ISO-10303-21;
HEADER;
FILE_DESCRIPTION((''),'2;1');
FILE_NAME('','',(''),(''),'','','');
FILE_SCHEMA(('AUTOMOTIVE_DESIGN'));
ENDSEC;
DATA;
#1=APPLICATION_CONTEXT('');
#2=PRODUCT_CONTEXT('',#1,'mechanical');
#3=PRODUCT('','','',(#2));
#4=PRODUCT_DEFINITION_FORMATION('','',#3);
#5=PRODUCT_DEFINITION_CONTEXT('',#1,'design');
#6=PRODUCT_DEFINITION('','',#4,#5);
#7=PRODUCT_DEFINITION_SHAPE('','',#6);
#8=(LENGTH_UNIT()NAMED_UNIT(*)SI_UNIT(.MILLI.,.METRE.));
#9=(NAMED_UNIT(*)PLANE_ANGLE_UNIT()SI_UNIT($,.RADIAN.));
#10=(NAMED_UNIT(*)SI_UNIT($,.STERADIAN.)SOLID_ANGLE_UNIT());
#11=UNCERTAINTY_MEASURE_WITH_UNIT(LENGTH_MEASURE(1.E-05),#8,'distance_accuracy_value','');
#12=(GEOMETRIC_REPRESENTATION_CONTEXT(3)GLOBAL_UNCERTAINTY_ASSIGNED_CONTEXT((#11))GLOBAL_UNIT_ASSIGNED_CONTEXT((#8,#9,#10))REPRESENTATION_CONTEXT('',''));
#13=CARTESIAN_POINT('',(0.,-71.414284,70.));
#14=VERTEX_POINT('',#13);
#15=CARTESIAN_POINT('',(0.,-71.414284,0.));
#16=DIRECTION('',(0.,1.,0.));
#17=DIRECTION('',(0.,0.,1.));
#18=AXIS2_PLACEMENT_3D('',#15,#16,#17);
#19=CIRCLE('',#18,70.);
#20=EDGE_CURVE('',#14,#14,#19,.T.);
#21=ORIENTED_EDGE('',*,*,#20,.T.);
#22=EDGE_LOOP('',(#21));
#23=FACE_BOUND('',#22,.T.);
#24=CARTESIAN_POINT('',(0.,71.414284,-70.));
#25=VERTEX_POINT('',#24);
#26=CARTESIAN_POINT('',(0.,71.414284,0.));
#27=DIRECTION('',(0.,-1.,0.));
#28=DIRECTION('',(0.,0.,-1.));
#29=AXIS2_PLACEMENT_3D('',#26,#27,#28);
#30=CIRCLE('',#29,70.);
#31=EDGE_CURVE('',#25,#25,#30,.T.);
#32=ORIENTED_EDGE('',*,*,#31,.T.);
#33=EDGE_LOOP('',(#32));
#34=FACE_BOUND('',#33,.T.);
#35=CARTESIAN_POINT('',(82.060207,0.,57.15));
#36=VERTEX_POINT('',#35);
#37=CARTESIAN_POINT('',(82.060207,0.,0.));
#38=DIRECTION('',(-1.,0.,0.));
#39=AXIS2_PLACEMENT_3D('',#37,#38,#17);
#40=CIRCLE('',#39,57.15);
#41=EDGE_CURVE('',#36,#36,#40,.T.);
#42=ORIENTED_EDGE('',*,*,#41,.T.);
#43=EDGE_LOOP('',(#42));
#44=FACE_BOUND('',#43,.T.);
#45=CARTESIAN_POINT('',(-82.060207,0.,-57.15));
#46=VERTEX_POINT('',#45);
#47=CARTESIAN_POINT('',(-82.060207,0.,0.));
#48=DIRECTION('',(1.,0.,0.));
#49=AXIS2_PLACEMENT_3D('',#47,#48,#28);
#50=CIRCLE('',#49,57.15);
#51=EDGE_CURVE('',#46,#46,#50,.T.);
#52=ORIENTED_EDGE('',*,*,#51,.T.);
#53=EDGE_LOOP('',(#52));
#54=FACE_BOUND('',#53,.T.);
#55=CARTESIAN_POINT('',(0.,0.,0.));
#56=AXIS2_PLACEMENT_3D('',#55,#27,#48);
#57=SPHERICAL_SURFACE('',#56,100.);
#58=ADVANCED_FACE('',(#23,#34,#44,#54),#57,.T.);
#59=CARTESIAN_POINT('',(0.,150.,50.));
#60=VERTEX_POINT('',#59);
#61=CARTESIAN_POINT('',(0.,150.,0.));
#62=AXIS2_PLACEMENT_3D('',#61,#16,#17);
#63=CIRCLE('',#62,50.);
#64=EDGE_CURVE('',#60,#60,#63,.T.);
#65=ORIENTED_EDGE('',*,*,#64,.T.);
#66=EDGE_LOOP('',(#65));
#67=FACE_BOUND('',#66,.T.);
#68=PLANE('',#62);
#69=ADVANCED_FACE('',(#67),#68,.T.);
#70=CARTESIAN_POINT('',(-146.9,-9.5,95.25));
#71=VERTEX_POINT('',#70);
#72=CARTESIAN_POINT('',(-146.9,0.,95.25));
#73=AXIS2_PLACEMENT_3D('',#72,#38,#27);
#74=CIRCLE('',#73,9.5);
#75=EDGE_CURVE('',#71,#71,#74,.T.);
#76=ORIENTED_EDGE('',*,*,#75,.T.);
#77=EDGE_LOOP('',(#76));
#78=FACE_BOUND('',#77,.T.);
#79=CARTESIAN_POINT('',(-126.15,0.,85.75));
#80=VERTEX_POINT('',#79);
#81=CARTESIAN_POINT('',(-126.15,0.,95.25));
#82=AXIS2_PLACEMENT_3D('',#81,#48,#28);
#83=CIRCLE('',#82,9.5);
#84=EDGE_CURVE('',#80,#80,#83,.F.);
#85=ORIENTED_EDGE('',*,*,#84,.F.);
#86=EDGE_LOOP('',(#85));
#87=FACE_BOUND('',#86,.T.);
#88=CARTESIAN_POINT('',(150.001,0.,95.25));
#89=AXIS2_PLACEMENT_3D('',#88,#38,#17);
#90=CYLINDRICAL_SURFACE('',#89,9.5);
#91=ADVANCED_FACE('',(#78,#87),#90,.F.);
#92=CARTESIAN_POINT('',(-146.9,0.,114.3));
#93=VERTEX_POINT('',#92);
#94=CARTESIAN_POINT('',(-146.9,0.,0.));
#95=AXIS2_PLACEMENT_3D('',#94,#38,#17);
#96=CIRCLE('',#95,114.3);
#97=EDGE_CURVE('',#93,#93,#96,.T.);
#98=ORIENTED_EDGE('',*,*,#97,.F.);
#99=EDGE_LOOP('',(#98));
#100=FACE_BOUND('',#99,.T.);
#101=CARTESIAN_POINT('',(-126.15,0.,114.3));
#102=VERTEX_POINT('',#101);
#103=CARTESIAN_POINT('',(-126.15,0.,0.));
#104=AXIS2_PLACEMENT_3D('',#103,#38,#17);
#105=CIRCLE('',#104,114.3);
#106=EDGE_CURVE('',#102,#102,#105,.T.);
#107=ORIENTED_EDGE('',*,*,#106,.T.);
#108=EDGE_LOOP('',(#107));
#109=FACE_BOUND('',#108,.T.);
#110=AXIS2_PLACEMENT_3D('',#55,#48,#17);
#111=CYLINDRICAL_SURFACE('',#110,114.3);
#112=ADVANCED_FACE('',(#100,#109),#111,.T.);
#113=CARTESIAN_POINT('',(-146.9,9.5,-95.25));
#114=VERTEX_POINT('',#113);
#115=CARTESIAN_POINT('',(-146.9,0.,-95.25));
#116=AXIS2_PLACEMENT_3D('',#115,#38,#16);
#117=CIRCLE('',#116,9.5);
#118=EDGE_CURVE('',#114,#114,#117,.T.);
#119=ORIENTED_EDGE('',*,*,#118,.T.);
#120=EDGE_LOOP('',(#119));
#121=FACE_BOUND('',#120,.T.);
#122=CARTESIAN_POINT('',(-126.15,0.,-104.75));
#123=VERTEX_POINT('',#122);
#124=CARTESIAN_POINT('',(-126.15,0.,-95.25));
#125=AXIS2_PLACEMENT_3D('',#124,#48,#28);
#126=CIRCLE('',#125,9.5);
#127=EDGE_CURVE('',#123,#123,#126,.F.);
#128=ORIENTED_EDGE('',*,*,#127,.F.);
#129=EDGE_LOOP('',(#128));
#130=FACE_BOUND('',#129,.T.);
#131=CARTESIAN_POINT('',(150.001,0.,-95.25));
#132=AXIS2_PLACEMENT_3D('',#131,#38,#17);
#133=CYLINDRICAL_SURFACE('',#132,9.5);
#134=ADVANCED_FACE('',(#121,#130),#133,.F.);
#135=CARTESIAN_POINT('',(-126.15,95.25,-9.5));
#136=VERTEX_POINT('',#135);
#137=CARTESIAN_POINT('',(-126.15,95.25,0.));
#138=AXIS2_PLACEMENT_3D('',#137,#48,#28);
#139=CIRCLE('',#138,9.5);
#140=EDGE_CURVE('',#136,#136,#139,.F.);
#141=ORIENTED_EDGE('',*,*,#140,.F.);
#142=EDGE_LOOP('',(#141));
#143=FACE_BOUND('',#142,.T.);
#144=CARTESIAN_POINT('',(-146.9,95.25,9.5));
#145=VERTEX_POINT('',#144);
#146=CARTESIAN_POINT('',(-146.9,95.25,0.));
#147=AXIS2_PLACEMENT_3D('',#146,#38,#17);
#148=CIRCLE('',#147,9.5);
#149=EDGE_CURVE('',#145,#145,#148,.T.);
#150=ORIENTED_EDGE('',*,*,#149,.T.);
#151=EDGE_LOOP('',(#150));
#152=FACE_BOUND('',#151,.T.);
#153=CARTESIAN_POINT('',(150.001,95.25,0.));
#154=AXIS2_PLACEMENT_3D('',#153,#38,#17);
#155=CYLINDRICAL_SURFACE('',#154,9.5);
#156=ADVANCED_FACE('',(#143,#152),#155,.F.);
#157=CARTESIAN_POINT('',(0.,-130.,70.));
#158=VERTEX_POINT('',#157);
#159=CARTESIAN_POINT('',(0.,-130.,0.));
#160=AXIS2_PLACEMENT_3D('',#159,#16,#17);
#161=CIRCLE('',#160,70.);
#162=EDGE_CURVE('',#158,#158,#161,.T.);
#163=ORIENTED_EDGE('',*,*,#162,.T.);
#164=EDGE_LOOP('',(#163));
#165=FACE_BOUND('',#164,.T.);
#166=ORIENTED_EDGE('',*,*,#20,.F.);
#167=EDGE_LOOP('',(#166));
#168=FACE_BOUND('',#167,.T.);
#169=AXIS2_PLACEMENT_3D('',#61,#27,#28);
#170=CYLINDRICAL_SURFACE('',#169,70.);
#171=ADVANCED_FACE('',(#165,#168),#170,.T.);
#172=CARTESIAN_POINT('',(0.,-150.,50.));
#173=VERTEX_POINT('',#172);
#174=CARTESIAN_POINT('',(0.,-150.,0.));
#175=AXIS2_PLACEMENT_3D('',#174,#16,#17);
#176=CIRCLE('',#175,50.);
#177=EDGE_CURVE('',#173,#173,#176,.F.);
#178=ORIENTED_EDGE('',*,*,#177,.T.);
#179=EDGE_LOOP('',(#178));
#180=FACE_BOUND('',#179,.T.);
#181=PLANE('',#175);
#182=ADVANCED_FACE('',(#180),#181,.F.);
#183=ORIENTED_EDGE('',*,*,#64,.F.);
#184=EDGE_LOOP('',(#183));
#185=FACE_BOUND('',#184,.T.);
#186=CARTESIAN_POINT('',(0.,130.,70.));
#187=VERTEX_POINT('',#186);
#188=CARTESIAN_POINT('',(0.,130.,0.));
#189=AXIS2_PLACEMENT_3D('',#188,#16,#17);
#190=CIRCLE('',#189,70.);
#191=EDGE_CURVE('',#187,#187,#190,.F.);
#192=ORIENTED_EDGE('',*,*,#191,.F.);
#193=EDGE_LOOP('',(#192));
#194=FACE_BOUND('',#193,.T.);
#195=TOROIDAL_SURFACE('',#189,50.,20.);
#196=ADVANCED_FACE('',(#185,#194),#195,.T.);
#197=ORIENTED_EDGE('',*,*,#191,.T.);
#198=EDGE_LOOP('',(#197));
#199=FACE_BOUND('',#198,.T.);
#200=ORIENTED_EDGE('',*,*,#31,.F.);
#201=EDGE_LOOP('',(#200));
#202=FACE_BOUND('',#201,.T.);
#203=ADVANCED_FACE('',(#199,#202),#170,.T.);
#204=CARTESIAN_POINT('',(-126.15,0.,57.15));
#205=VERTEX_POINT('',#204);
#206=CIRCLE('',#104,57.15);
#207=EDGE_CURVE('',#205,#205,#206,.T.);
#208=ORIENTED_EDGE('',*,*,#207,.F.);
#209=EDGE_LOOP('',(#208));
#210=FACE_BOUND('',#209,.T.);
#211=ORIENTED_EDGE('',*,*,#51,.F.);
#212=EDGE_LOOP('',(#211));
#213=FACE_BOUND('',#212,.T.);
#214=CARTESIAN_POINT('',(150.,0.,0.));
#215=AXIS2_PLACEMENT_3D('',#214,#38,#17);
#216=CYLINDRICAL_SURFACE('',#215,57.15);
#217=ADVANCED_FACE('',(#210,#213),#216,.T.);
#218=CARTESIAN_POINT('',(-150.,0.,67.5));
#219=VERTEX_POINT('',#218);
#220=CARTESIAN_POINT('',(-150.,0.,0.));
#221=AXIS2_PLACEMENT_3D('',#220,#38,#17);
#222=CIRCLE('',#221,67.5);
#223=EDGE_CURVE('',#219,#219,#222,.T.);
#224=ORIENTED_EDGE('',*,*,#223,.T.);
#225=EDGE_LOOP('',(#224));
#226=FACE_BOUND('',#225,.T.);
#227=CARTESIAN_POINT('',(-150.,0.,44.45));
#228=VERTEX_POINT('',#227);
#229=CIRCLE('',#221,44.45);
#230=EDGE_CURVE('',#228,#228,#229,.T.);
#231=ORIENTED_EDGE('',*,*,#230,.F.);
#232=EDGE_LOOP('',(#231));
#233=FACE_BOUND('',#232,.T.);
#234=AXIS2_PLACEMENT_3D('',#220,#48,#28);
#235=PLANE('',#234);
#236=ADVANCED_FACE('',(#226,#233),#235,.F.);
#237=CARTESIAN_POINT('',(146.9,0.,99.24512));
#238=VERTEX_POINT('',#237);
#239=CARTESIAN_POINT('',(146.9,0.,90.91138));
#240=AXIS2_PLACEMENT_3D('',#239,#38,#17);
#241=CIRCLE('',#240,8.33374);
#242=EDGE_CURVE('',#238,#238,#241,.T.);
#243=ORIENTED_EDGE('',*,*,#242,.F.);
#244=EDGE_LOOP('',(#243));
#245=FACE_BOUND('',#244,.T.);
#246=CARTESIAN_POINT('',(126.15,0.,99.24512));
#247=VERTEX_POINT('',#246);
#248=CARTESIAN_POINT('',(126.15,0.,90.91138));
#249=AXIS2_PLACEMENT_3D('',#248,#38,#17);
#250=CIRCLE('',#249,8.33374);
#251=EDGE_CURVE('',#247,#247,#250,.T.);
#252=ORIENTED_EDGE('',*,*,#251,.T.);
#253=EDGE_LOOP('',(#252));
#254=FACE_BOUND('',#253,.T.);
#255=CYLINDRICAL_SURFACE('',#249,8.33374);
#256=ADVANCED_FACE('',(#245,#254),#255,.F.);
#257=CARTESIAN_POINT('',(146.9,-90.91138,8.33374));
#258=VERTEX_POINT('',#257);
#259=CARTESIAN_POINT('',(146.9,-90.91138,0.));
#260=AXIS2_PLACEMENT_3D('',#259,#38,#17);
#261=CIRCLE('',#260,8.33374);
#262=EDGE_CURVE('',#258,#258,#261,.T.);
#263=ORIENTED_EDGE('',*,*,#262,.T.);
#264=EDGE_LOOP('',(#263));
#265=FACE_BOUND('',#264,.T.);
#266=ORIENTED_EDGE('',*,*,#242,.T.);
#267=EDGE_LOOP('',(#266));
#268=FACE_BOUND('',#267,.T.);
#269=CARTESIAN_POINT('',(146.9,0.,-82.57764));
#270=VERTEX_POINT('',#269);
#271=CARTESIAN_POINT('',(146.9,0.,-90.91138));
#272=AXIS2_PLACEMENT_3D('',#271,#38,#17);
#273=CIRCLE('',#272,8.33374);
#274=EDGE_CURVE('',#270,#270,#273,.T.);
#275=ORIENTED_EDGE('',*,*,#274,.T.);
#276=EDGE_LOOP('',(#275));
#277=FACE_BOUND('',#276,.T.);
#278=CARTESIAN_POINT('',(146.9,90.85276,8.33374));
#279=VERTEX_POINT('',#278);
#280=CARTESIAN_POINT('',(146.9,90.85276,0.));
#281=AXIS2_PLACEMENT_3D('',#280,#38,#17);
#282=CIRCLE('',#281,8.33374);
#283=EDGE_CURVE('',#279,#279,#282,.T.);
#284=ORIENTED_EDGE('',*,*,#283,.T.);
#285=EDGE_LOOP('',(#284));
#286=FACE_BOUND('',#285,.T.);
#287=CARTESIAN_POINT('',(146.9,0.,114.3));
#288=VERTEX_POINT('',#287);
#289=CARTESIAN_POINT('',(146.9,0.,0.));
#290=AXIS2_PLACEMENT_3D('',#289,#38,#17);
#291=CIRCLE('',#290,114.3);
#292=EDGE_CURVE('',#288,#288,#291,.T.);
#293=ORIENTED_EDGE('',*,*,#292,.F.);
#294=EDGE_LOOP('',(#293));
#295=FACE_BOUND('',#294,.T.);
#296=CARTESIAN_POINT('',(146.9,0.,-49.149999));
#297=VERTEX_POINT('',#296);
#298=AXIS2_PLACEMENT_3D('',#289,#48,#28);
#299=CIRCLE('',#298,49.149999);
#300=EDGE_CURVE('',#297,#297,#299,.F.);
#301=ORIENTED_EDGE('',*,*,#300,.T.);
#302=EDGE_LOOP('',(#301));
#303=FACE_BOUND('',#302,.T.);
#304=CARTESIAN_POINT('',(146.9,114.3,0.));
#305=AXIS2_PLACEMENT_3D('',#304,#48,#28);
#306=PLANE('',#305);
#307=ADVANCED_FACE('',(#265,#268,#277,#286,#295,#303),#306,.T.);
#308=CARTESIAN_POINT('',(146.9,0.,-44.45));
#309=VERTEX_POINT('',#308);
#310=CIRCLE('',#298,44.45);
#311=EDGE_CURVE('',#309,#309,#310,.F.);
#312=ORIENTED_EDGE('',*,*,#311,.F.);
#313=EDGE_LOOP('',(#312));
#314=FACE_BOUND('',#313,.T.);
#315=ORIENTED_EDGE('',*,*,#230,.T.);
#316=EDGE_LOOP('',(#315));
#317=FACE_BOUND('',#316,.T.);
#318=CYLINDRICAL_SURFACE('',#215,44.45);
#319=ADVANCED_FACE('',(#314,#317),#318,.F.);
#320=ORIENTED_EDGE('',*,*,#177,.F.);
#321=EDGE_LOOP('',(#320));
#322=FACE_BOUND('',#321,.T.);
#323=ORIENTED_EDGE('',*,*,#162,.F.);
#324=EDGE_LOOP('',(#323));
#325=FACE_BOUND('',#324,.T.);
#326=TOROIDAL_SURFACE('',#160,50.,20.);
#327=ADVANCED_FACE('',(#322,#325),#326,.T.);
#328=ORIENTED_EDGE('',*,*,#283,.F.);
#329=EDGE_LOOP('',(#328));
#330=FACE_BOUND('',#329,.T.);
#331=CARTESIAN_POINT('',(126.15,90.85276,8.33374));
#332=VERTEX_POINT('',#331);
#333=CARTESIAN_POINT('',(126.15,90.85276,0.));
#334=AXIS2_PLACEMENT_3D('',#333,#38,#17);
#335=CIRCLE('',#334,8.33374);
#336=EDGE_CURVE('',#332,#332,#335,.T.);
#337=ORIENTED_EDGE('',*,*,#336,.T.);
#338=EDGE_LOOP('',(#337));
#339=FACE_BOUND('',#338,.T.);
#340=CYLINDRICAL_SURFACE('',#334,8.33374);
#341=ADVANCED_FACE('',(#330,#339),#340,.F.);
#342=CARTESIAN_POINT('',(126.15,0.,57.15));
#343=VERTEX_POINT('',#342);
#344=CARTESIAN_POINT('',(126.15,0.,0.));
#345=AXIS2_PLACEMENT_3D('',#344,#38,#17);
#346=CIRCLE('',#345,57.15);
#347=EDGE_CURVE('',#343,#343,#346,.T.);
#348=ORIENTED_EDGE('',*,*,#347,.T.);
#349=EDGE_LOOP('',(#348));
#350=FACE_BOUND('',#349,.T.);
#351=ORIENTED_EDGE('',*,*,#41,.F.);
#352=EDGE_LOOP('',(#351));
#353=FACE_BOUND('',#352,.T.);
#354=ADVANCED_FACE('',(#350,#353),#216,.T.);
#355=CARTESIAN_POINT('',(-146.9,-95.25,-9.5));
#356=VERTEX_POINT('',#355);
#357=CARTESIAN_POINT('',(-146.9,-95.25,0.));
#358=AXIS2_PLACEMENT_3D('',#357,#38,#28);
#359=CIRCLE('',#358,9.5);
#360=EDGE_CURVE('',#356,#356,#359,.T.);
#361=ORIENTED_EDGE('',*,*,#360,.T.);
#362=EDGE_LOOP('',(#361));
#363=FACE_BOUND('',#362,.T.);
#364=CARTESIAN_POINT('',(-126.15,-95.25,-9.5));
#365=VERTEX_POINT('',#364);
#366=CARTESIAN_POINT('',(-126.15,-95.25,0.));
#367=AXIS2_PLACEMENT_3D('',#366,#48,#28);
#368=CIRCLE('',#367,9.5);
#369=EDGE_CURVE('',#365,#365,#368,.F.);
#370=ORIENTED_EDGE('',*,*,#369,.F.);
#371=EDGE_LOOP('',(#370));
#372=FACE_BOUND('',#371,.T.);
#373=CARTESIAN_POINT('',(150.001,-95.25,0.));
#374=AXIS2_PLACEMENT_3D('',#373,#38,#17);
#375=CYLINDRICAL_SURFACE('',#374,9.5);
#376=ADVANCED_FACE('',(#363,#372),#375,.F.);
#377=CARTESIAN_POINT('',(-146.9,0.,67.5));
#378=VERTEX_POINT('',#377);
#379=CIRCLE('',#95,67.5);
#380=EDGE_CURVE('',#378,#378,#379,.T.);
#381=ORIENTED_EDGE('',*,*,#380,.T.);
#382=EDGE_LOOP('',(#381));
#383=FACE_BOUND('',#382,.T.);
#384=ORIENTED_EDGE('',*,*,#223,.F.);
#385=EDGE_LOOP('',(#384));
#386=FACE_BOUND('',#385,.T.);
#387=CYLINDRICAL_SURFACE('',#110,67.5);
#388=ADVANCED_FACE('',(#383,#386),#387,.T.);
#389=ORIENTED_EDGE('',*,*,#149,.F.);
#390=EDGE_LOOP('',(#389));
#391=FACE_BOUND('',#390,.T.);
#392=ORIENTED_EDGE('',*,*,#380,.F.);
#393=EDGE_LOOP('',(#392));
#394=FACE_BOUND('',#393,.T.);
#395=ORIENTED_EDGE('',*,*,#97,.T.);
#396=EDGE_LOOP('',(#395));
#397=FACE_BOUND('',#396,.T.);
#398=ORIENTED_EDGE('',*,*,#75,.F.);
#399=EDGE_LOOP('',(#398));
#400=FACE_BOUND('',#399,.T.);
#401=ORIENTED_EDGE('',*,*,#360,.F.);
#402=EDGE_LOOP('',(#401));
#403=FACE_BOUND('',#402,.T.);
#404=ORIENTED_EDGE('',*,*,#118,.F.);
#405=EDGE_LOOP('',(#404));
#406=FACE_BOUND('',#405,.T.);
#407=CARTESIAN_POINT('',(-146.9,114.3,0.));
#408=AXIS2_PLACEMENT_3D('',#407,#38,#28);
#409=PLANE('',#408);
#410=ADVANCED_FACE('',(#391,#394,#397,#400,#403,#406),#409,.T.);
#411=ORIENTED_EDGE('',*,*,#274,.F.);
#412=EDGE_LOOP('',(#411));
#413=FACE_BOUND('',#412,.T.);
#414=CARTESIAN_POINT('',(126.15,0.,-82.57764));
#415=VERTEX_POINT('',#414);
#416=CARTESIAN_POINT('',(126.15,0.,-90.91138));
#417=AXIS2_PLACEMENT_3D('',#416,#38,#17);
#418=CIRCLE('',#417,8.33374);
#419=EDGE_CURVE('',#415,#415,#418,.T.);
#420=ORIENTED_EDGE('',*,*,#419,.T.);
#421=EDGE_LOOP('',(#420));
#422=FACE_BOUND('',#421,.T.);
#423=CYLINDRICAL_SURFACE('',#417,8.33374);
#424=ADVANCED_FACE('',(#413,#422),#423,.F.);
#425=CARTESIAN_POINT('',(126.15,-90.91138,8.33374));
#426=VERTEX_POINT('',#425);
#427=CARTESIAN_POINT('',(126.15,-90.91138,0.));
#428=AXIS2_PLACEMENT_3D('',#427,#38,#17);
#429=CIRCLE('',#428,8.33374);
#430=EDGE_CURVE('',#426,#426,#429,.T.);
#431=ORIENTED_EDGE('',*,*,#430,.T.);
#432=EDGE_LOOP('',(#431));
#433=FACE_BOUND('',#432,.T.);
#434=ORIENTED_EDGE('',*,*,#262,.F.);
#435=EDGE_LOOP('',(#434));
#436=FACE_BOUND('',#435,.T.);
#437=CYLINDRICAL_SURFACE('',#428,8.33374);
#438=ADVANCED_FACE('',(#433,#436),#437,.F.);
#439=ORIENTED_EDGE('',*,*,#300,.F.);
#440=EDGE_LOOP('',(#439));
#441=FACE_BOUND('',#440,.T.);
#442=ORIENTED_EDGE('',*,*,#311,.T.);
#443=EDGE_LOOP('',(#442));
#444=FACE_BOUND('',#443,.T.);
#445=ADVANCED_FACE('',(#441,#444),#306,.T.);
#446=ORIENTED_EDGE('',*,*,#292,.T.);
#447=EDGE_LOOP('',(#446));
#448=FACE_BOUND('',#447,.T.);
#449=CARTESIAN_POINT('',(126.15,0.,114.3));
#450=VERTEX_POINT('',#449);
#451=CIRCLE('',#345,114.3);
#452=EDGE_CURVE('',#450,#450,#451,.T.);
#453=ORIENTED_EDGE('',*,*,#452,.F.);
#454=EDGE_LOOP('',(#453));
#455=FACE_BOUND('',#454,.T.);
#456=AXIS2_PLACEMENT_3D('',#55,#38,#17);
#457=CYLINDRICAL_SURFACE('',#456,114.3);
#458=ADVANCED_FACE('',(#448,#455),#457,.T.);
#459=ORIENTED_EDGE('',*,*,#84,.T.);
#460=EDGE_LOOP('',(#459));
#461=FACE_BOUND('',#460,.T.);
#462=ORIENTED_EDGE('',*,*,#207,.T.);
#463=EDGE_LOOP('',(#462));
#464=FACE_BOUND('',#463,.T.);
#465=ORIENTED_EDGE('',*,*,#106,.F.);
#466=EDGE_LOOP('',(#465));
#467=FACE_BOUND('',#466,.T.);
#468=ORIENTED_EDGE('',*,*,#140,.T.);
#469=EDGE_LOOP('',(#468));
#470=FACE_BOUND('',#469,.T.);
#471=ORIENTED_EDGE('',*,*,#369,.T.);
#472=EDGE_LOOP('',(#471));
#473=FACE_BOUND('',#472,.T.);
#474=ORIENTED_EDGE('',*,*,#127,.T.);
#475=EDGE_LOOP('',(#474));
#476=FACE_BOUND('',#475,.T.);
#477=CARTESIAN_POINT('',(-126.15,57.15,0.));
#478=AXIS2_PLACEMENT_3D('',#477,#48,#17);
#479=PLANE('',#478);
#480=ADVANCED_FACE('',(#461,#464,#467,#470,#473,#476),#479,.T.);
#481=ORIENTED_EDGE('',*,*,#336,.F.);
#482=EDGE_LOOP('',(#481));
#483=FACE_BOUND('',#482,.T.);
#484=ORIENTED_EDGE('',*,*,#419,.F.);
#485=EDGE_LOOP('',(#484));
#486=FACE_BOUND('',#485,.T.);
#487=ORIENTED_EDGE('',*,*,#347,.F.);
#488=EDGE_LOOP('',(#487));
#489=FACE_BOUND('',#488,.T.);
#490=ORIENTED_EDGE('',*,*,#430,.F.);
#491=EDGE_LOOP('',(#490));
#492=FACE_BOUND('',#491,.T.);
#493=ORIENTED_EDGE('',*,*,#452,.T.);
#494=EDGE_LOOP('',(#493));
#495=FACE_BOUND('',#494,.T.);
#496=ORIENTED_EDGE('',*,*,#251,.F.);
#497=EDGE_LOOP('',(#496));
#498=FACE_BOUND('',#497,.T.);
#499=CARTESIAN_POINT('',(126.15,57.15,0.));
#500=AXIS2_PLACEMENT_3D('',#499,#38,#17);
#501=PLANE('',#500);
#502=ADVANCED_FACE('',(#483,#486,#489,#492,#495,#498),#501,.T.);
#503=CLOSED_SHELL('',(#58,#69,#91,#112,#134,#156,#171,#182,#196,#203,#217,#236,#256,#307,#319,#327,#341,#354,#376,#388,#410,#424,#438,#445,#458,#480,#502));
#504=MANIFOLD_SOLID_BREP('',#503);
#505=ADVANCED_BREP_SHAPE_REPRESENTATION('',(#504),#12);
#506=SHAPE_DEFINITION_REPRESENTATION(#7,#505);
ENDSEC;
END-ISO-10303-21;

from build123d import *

# Parameters (mm, degrees)
SKETCH1_R                   = 57.15
BASE_EXTRUDE_DEPTH          = 150
BOSS_EXTRUDE1_DEPTH         = 150
BOSS_EXTRUDE1_DEPTH_BACK    = 150
SKETCH2_R                   = 70
FILLET1_R                   = 20
SKETCH18_R                  = 44.45
CUT_EXTRUDE3_DEPTH          = 351.000000086
CUT_EXTRUDE2_REACH          = 353.73
SKETCH15_R                  = 9.5
CIRPATTERN2_COUNT           = 4
SKETCH22_R                  = 67.5
CUT_EXTRUDE5_DEPTH          = 3.1
F_5_8_CLEARANCE_HOLE1_D     = 16.66748
F_5_8_CLEARANCE_HOLE1_DEPTH = 20.75


with BuildPart() as part:
    # Sketch1 → Base-Extrude (new, symmetric)
    with BuildSketch(Plane(origin=(0, 0, 0), x_dir=(0, 0, -1), z_dir=(1, 0, 0))):
        Circle(SKETCH1_R)
    extrude(amount=BASE_EXTRUDE_DEPTH, both=True)

    # Sketch2 → Boss-Extrude1 (add, two sides: drawn at the far end of the back side and taken through both)
    with BuildSketch(Plane(origin=(0, 0, 0), x_dir=(1, 0, 0), z_dir=(0, 1, 0)).offset(-BOSS_EXTRUDE1_DEPTH_BACK)):
        with Locations(Location((0, 0, 0), (0, 0, 270))):
            Circle(SKETCH2_R)
    extrude(amount=BOSS_EXTRUDE1_DEPTH + BOSS_EXTRUDE1_DEPTH_BACK)

    # Sketch3 → Boss-Revolve1 (revolve)
    with BuildSketch(Plane.XY):
        with BuildLine():
            Line((0, -100), (0, 100))
            ThreePointArc((0, 100), (100, 0), (0, -100))
        make_face()
    revolve(axis=Axis((0, -115.862970753, 0), (0, 1, 0)))

    # Fillet1
    fillet1_edges = [part.edges().sort_by_distance(p)[0] for p in [
        (0, -150, -70),
        (0, 150, -70),
    ]]
    fillet(fillet1_edges, radius=FILLET1_R)

    # Sketch18 → Cut-Extrude3 (cut, through all)
    with BuildSketch(Plane.ZY.offset(150)):
        Circle(SKETCH18_R)
    extrude(amount=-CUT_EXTRUDE3_DEPTH, mode=Mode.SUBTRACT)

    # Sketch13 → Boss-Revolve4 (revolve)
    with BuildSketch(Plane.XY, mode=Mode.PRIVATE) as boss_revolve4_sk:
        Polygon((126.15, 57.15), (126.15, 114.3), (146.9, 114.3), (146.9, 67.5), (150, 67.5), (150, 57.15), align=None)
    boss_revolve4 = revolve(boss_revolve4_sk.sketch.rotate(Axis((0, 0, 0), (1, 0, 0)), 90), axis=Axis((0, 0, 0), (1, 0, 0)))

    # Mirror2: Boss-Revolve4 across plane
    add(boss_revolve4.mirror(Plane(origin=(0, 0, 0), x_dir=(0, 0, 1), z_dir=(1, 0, 0))))

    # Sketch15 → Cut-Extrude2 (cut, up to next)
    with BuildSketch(Plane.ZY.offset(146.9), mode=Mode.PRIVATE) as cut_extrude2_sk1:
        with Locations((0, 95.25)):
            Circle(SKETCH15_R)
    cut_extrude2_tool1 = extrude(cut_extrude2_sk1.sketch, amount=-CUT_EXTRUDE2_REACH, mode=Mode.PRIVATE) & part.part
    cut_extrude2 = cut_extrude2_tool1.solids().sort_by_distance((-146.9, 95.25, 0))[0]
    add(cut_extrude2, mode=Mode.SUBTRACT)

    # CirPattern2: Cut-Extrude2 ×4 about axis
    cirpattern2_axis = Axis((0, 0, 0), (1, 0, 0))
    for i in range(1, CIRPATTERN2_COUNT):
        add(cut_extrude2.rotate(cirpattern2_axis, i * 360 / CIRPATTERN2_COUNT), mode=Mode.SUBTRACT)

    # Sketch22 → Cut-Extrude5 (cut)
    with BuildSketch(Plane(origin=(146.9, 0, 0), x_dir=(0, 0, -1), z_dir=(1, 0, 0))):
        with Locations(Location((0, 0, 0), (0, 0, 180))):
            Circle(SKETCH22_R)
    extrude(amount=CUT_EXTRUDE5_DEPTH, mode=Mode.SUBTRACT)

    # 5/8 Clearance Hole1
    with Locations(Plane(origin=(126.15, -86.94526051, 61.229912904), x_dir=(0, 0, 1), z_dir=(-1, 0, 0))):
        with Locations((-61.229912904, 177.798020209), (29.681467244, 86.94526051), (-61.229912904, -3.966119638), (-152.141293051, 86.94526051)):
            Hole(F_5_8_CLEARANCE_HOLE1_D / 2, depth=F_5_8_CLEARANCE_HOLE1_DEPTH)


solid = part.part
